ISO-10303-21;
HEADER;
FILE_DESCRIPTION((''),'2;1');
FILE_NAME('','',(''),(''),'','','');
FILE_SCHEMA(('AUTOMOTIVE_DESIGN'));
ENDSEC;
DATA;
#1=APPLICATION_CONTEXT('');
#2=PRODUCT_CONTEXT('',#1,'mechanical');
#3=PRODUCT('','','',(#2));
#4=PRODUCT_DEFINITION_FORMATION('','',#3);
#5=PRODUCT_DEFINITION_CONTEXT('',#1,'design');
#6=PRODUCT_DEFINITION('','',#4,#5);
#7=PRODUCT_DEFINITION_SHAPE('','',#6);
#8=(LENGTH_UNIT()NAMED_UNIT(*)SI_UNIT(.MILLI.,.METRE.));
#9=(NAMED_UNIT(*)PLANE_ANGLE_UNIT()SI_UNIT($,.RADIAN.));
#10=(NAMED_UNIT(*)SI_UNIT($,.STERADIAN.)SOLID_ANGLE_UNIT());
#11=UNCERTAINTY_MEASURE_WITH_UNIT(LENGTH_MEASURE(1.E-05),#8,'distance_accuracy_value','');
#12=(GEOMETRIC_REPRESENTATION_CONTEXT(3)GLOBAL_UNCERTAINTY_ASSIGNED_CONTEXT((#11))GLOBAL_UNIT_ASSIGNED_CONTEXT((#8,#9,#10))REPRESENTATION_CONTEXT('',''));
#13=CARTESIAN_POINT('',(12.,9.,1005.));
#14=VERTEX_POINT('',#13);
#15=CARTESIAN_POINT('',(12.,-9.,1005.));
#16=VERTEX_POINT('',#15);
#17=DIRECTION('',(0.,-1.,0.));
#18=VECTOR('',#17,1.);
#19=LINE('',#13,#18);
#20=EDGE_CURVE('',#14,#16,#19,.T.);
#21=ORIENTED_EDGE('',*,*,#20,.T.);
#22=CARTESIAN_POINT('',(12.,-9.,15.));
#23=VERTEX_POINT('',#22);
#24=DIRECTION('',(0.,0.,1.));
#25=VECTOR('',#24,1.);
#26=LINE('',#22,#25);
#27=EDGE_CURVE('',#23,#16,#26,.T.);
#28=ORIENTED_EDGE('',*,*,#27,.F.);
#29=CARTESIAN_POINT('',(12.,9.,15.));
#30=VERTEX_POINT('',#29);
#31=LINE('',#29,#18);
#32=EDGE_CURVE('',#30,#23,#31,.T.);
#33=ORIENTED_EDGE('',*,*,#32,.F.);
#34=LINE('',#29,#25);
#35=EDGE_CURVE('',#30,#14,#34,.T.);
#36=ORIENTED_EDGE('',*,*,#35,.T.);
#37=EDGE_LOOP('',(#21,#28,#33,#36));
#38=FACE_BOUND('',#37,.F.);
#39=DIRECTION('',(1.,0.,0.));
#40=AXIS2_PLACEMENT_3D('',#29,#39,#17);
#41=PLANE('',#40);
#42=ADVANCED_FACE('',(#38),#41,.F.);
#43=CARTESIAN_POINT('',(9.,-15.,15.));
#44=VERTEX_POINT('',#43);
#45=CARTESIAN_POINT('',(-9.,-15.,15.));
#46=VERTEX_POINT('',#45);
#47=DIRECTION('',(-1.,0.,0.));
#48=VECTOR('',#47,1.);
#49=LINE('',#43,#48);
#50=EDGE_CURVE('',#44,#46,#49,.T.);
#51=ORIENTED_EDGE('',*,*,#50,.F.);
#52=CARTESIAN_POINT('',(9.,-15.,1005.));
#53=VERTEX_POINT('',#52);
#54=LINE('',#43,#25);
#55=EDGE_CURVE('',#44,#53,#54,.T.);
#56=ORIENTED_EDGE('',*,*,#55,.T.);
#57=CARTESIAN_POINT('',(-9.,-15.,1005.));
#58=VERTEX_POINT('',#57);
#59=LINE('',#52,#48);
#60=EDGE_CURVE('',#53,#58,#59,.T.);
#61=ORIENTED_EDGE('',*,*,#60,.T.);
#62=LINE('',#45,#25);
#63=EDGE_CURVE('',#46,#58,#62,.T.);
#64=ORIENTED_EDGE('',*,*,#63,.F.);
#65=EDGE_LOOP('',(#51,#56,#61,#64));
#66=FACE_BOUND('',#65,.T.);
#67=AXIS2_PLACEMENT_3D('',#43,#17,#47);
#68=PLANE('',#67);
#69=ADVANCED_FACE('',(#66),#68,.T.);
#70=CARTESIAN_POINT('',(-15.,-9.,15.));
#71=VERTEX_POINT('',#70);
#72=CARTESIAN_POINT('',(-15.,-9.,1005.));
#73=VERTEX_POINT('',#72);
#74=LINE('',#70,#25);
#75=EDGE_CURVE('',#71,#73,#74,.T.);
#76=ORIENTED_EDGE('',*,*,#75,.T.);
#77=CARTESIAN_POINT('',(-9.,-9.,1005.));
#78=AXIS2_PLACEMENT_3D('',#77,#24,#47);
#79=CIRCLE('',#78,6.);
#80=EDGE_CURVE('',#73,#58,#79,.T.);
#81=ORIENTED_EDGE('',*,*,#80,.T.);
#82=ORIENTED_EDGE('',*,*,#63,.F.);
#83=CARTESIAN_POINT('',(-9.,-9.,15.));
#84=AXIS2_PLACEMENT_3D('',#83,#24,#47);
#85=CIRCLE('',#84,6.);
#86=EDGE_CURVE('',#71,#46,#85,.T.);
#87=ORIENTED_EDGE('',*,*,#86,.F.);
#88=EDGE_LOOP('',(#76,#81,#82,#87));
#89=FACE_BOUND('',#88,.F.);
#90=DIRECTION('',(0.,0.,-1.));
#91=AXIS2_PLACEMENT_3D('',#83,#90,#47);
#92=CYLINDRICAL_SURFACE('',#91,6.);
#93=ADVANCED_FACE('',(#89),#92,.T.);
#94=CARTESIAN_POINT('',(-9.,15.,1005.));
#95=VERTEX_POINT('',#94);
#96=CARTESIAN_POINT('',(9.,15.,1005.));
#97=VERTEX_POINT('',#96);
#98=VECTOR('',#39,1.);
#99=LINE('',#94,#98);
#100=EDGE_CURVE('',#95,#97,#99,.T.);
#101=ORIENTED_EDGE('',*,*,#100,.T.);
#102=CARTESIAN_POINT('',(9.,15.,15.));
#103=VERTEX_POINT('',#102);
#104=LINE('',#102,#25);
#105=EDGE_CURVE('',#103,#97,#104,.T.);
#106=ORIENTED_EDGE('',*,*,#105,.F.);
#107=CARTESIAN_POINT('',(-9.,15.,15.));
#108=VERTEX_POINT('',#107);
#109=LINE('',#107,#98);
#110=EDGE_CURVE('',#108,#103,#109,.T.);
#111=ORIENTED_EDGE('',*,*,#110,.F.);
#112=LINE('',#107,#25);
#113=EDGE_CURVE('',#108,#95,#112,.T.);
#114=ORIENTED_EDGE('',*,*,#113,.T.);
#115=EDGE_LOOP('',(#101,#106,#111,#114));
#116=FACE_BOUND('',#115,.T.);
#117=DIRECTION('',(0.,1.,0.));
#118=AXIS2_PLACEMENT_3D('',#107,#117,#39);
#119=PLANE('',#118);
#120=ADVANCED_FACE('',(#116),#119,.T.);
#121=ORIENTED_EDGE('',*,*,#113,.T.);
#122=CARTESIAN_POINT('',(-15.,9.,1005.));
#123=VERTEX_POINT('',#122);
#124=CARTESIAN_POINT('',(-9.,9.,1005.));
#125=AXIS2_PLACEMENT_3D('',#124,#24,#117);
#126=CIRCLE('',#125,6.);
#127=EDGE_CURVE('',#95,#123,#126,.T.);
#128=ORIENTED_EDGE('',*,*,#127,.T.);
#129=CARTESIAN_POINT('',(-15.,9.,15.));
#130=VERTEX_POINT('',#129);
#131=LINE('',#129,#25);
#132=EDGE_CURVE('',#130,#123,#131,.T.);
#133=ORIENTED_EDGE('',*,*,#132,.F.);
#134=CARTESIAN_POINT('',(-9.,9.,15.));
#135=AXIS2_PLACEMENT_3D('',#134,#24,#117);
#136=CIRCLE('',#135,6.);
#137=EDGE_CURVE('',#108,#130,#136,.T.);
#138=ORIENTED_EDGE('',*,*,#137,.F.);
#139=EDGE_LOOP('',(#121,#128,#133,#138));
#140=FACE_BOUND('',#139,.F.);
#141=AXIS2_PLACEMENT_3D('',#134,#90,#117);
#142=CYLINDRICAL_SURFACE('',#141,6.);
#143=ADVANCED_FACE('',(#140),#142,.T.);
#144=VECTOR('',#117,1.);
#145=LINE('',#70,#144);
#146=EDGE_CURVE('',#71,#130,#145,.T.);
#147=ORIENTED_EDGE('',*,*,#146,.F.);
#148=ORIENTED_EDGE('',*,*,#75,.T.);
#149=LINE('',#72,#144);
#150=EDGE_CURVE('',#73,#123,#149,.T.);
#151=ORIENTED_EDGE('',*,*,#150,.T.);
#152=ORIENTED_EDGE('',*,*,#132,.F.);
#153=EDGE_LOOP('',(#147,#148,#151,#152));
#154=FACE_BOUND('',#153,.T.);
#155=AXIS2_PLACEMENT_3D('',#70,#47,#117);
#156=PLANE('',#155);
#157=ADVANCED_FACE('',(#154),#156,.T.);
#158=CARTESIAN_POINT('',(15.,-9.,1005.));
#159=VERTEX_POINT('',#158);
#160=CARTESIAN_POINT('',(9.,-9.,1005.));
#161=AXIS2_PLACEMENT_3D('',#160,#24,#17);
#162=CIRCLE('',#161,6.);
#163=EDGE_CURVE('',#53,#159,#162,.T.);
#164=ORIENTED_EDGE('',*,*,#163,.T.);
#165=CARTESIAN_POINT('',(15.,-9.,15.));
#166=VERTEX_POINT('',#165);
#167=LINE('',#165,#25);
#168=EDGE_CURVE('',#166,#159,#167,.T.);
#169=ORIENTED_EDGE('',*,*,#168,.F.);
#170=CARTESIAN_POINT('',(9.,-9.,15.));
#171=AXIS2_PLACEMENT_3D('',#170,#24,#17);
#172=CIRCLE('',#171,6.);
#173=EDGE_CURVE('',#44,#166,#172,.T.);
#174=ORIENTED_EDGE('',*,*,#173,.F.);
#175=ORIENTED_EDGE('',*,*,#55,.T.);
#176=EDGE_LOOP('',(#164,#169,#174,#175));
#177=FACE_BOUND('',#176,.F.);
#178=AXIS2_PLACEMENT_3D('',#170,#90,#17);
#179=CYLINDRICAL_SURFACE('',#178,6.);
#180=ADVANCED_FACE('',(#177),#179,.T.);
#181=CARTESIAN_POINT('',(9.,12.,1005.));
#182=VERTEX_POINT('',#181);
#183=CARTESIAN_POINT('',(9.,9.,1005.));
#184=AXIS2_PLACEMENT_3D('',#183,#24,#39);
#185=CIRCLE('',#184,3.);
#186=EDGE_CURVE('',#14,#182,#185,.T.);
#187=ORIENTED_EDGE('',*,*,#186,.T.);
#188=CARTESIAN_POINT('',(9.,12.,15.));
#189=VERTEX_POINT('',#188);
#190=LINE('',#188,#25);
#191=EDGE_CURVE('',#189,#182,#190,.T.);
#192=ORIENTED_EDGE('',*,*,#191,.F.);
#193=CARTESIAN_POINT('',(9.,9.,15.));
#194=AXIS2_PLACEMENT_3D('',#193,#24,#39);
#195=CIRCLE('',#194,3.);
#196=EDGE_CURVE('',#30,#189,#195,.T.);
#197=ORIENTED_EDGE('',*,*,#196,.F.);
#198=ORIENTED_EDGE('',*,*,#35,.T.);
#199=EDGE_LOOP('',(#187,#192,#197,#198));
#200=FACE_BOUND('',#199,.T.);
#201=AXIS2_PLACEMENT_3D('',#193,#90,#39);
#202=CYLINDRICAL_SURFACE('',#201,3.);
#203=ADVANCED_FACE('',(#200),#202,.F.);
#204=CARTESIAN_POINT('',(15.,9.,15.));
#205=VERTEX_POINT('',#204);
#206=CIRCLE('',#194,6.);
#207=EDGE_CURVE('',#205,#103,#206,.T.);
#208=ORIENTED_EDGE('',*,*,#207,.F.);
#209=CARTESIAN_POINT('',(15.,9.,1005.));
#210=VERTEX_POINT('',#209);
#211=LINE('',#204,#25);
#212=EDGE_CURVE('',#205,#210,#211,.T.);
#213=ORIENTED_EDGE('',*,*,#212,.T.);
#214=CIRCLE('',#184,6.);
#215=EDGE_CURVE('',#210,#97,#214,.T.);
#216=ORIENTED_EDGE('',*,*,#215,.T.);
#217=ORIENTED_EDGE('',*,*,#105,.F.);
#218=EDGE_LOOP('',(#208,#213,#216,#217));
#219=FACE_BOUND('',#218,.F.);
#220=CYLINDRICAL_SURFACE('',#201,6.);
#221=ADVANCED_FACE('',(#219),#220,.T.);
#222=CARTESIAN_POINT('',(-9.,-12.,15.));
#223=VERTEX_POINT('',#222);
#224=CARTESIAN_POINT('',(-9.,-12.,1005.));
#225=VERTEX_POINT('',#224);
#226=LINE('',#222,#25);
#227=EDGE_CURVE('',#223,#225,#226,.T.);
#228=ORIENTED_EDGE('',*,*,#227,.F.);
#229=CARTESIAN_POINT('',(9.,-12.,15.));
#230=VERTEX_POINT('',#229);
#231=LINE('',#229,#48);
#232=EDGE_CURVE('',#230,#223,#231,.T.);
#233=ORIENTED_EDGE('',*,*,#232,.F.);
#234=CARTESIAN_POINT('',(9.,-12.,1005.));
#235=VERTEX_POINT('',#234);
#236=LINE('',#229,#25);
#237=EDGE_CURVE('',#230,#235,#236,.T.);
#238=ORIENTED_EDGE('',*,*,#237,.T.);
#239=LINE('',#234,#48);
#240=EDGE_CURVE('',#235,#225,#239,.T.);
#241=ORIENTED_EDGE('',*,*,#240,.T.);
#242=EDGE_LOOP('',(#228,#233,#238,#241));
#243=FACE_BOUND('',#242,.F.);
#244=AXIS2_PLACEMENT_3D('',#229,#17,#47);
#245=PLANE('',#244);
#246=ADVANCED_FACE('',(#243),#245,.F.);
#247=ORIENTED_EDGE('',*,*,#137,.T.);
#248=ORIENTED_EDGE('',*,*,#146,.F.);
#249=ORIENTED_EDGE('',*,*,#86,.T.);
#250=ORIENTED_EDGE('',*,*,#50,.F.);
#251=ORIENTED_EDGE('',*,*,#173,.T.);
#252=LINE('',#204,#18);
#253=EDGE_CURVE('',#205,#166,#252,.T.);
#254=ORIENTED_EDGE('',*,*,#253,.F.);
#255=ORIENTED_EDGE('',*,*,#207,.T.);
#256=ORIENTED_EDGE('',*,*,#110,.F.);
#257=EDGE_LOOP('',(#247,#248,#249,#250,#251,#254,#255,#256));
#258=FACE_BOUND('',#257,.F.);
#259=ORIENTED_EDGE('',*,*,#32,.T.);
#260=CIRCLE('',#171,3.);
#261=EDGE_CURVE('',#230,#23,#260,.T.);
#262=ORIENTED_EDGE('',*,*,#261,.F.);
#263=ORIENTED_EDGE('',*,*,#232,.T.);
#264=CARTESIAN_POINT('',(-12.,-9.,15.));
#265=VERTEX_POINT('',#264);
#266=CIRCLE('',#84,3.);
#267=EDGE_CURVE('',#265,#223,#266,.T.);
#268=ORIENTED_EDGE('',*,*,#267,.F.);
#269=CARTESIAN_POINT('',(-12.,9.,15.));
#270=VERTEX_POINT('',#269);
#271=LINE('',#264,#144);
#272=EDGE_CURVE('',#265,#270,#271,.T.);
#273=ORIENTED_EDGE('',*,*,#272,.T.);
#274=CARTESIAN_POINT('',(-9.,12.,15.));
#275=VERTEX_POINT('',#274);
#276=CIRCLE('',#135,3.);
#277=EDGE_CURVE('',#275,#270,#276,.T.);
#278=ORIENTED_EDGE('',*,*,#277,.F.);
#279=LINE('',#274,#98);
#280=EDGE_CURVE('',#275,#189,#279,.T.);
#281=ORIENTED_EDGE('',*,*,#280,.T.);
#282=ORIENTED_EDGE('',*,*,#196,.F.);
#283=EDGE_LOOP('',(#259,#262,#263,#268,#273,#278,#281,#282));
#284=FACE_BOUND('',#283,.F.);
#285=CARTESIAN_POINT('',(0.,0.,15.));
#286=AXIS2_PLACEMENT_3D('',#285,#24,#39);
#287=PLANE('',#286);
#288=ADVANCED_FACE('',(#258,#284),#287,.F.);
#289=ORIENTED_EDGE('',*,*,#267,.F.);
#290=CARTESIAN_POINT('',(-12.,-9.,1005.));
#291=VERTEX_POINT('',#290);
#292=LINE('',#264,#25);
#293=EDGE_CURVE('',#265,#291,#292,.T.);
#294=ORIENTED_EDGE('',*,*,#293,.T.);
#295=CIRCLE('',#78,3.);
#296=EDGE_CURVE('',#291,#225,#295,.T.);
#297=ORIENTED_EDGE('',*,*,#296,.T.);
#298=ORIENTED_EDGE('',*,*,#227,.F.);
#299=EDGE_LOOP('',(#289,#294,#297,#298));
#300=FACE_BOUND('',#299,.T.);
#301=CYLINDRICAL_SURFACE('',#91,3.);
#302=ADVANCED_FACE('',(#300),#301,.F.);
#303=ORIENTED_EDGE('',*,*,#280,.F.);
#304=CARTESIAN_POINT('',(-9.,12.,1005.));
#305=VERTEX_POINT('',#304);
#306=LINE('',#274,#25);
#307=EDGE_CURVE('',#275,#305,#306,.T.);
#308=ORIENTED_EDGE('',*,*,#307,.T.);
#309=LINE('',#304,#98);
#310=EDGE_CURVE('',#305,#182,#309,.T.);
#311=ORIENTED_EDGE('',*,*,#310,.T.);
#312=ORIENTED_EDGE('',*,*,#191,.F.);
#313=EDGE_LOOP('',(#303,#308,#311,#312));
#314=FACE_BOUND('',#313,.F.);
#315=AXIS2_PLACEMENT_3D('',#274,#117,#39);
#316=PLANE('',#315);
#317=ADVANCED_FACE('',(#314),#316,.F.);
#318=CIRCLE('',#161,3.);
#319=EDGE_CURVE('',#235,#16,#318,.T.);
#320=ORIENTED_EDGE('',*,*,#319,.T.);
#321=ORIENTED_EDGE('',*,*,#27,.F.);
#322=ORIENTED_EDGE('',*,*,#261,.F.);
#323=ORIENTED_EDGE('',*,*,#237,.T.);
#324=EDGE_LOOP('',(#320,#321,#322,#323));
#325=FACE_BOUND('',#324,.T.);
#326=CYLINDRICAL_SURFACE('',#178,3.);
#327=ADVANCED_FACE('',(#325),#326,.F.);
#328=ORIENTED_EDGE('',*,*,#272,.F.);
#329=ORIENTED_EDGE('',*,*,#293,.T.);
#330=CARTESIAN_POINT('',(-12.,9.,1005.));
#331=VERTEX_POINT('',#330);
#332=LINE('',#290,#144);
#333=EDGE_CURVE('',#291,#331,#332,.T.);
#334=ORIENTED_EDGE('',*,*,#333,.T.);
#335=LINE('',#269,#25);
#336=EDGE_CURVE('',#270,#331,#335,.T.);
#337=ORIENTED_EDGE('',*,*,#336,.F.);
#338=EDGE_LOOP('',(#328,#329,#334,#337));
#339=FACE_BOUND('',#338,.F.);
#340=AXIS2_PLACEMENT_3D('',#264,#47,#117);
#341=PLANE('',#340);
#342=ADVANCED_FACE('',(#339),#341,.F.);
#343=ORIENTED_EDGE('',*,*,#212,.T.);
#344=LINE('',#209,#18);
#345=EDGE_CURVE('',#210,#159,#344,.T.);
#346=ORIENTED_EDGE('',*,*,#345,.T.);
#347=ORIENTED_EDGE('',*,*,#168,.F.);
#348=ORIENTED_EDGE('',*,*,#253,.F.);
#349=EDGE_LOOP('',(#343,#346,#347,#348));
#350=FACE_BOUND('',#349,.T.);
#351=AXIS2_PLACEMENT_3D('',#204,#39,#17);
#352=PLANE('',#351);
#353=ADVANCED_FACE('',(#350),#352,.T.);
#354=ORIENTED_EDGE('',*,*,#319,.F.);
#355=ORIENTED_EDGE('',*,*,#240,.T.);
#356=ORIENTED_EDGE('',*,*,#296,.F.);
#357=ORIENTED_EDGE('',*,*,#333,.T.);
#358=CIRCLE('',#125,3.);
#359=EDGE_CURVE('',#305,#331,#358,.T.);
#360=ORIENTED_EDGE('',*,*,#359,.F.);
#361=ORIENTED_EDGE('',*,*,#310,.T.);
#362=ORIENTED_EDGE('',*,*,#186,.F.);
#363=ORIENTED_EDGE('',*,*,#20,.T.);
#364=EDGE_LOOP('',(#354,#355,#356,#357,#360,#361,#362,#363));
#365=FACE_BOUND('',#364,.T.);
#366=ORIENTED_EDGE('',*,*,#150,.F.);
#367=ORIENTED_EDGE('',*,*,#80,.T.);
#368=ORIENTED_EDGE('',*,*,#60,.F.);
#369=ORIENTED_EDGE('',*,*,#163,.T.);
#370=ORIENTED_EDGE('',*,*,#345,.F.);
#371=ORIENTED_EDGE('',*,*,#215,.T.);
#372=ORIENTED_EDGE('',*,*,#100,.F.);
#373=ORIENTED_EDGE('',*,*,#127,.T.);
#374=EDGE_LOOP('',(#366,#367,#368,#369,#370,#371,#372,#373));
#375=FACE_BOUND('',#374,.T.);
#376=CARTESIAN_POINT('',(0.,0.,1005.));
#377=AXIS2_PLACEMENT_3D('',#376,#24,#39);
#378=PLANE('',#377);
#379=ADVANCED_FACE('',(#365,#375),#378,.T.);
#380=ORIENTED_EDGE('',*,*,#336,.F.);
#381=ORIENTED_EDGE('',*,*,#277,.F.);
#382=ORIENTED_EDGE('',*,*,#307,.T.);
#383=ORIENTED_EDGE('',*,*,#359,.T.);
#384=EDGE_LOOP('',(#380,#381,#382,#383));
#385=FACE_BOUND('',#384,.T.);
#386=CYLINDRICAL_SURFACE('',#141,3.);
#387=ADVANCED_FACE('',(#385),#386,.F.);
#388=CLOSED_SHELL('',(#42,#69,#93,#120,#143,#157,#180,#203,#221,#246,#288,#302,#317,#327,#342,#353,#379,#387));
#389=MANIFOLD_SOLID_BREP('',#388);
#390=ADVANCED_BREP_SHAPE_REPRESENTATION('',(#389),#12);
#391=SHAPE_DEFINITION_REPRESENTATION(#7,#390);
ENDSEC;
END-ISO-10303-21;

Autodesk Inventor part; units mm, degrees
ref_plane "Start Plane" through (0, 0, 15) normal (0, 0, 1) x (1, 0, 0)
ref_plane "End Plane" through (0, 0, 1005) normal (0, 0, 1) x (1, 0, 0)
sketch "Sketch" plane through (0, 0, 0) normal (0, 0, 1) x (1, 0, 0)
  line L0 (-15, -9) -> (-15, 9)
  line L1 (-9, 15) -> (9, 15)
  line L2 (15, 9) -> (15, -9)
  line L3 (9, -15) -> (-9, -15)
  arc A0 (-15, -9) -> (-9, -15) centre (-9, -9) ccw
  arc A1 (-9, 15) -> (-15, 9) centre (-9, 9) ccw
  arc A2 (15, 9) -> (9, 15) centre (9, 9) ccw
  arc A3 (9, -15) -> (15, -9) centre (9, -9) ccw
  arc A4 (-9, 12) -> (-12, 9) centre (-9, 9) ccw
  line L4 (-9, 12) -> (9, 12)
  arc A5 (12, 9) -> (9, 12) centre (9, 9) ccw
  line L5 (12, 9) -> (12, -9)
  arc A6 (9, -12) -> (12, -9) centre (9, -9) ccw
  line L6 (9, -12) -> (-9, -12)
  arc A7 (-12, -9) -> (-9, -12) centre (-9, -9) ccw
  line L7 (-12, -9) -> (-12, 9)
  line L8 (0, 22.7397) -> (0, -22.7397) construction
  line L9 (-22.7397, 0) -> (22.7397, 0) construction
  dimension "d7" = 6
  dimension "d10" = 30
  dimension "d11" = 30
  dimension "d12" = 3
  dimension "d15" = 15
  dimension "d16" = 15
extrude "Body" add sketch "Sketch" along normal up to surface (990 mm away) from surface at 15
sketch "Sketch3" plane through (0, 0, 0) normal (0, 0, 1) x (1, 0, 0)
  line L0 (0, 0) -> (10, 0)
ref_plane "Work Plane3" through (0, 0, 0) normal (0, -1, 0) x (1, 0, 0)
ref_plane "Work Plane4" through (-1722, -9, 15) normal (0, 0, -1) x (-1, 0, 0)
split "Split1" plane through (-1722, -9, 15) removes the side toward (0, 0, -1)
ref_plane "Work Plane5" through (9, 250, 1005) normal (0, 0, 1) x (1, 0, 0)
split "Split2" plane through (9, 250, 1005) removes the side toward (0, 0, 1)
sketch "Sketch4" plane through (0, 0, 0) normal (0, -1, 0) x (1, 0, 0)
  line L0 (-2, 15) -> (12, 15) projected
  line L1 (-2, 1005) -> (12, 1005) projected
  dimension "d18" = 990
equation "\"d7\" = G_IR"
equation "\"d10\" = G_H"
equation "\"d11\" = G_W"
equation "\"d12\" = G_T"
equation "\"d15\" = 0.5 * d10"
equation "\"d16\" = 0.5 * d11"
equation "\"d3\" = G_L"
equation "\"G_W\" = 30"
equation "\"G_H\" = 30"
equation "\"G_T\" = 3"
equation "\"G_IR\" = 6"
equation "\"G_L\" = d18"
equation "\"G_OFFSET_START\" = -15"
equation "\"G_OFFSET_END\" = -15"
equation "\"d13\" = -G_OFFSET_START"
equation "\"d14\" = G_OFFSET_END + B_L"
equation "\"B_L\" = 1020"
properties part number "DIN EN 10219-2 - 30 x 30 x 3  - 990" material "Steel, Mild"
